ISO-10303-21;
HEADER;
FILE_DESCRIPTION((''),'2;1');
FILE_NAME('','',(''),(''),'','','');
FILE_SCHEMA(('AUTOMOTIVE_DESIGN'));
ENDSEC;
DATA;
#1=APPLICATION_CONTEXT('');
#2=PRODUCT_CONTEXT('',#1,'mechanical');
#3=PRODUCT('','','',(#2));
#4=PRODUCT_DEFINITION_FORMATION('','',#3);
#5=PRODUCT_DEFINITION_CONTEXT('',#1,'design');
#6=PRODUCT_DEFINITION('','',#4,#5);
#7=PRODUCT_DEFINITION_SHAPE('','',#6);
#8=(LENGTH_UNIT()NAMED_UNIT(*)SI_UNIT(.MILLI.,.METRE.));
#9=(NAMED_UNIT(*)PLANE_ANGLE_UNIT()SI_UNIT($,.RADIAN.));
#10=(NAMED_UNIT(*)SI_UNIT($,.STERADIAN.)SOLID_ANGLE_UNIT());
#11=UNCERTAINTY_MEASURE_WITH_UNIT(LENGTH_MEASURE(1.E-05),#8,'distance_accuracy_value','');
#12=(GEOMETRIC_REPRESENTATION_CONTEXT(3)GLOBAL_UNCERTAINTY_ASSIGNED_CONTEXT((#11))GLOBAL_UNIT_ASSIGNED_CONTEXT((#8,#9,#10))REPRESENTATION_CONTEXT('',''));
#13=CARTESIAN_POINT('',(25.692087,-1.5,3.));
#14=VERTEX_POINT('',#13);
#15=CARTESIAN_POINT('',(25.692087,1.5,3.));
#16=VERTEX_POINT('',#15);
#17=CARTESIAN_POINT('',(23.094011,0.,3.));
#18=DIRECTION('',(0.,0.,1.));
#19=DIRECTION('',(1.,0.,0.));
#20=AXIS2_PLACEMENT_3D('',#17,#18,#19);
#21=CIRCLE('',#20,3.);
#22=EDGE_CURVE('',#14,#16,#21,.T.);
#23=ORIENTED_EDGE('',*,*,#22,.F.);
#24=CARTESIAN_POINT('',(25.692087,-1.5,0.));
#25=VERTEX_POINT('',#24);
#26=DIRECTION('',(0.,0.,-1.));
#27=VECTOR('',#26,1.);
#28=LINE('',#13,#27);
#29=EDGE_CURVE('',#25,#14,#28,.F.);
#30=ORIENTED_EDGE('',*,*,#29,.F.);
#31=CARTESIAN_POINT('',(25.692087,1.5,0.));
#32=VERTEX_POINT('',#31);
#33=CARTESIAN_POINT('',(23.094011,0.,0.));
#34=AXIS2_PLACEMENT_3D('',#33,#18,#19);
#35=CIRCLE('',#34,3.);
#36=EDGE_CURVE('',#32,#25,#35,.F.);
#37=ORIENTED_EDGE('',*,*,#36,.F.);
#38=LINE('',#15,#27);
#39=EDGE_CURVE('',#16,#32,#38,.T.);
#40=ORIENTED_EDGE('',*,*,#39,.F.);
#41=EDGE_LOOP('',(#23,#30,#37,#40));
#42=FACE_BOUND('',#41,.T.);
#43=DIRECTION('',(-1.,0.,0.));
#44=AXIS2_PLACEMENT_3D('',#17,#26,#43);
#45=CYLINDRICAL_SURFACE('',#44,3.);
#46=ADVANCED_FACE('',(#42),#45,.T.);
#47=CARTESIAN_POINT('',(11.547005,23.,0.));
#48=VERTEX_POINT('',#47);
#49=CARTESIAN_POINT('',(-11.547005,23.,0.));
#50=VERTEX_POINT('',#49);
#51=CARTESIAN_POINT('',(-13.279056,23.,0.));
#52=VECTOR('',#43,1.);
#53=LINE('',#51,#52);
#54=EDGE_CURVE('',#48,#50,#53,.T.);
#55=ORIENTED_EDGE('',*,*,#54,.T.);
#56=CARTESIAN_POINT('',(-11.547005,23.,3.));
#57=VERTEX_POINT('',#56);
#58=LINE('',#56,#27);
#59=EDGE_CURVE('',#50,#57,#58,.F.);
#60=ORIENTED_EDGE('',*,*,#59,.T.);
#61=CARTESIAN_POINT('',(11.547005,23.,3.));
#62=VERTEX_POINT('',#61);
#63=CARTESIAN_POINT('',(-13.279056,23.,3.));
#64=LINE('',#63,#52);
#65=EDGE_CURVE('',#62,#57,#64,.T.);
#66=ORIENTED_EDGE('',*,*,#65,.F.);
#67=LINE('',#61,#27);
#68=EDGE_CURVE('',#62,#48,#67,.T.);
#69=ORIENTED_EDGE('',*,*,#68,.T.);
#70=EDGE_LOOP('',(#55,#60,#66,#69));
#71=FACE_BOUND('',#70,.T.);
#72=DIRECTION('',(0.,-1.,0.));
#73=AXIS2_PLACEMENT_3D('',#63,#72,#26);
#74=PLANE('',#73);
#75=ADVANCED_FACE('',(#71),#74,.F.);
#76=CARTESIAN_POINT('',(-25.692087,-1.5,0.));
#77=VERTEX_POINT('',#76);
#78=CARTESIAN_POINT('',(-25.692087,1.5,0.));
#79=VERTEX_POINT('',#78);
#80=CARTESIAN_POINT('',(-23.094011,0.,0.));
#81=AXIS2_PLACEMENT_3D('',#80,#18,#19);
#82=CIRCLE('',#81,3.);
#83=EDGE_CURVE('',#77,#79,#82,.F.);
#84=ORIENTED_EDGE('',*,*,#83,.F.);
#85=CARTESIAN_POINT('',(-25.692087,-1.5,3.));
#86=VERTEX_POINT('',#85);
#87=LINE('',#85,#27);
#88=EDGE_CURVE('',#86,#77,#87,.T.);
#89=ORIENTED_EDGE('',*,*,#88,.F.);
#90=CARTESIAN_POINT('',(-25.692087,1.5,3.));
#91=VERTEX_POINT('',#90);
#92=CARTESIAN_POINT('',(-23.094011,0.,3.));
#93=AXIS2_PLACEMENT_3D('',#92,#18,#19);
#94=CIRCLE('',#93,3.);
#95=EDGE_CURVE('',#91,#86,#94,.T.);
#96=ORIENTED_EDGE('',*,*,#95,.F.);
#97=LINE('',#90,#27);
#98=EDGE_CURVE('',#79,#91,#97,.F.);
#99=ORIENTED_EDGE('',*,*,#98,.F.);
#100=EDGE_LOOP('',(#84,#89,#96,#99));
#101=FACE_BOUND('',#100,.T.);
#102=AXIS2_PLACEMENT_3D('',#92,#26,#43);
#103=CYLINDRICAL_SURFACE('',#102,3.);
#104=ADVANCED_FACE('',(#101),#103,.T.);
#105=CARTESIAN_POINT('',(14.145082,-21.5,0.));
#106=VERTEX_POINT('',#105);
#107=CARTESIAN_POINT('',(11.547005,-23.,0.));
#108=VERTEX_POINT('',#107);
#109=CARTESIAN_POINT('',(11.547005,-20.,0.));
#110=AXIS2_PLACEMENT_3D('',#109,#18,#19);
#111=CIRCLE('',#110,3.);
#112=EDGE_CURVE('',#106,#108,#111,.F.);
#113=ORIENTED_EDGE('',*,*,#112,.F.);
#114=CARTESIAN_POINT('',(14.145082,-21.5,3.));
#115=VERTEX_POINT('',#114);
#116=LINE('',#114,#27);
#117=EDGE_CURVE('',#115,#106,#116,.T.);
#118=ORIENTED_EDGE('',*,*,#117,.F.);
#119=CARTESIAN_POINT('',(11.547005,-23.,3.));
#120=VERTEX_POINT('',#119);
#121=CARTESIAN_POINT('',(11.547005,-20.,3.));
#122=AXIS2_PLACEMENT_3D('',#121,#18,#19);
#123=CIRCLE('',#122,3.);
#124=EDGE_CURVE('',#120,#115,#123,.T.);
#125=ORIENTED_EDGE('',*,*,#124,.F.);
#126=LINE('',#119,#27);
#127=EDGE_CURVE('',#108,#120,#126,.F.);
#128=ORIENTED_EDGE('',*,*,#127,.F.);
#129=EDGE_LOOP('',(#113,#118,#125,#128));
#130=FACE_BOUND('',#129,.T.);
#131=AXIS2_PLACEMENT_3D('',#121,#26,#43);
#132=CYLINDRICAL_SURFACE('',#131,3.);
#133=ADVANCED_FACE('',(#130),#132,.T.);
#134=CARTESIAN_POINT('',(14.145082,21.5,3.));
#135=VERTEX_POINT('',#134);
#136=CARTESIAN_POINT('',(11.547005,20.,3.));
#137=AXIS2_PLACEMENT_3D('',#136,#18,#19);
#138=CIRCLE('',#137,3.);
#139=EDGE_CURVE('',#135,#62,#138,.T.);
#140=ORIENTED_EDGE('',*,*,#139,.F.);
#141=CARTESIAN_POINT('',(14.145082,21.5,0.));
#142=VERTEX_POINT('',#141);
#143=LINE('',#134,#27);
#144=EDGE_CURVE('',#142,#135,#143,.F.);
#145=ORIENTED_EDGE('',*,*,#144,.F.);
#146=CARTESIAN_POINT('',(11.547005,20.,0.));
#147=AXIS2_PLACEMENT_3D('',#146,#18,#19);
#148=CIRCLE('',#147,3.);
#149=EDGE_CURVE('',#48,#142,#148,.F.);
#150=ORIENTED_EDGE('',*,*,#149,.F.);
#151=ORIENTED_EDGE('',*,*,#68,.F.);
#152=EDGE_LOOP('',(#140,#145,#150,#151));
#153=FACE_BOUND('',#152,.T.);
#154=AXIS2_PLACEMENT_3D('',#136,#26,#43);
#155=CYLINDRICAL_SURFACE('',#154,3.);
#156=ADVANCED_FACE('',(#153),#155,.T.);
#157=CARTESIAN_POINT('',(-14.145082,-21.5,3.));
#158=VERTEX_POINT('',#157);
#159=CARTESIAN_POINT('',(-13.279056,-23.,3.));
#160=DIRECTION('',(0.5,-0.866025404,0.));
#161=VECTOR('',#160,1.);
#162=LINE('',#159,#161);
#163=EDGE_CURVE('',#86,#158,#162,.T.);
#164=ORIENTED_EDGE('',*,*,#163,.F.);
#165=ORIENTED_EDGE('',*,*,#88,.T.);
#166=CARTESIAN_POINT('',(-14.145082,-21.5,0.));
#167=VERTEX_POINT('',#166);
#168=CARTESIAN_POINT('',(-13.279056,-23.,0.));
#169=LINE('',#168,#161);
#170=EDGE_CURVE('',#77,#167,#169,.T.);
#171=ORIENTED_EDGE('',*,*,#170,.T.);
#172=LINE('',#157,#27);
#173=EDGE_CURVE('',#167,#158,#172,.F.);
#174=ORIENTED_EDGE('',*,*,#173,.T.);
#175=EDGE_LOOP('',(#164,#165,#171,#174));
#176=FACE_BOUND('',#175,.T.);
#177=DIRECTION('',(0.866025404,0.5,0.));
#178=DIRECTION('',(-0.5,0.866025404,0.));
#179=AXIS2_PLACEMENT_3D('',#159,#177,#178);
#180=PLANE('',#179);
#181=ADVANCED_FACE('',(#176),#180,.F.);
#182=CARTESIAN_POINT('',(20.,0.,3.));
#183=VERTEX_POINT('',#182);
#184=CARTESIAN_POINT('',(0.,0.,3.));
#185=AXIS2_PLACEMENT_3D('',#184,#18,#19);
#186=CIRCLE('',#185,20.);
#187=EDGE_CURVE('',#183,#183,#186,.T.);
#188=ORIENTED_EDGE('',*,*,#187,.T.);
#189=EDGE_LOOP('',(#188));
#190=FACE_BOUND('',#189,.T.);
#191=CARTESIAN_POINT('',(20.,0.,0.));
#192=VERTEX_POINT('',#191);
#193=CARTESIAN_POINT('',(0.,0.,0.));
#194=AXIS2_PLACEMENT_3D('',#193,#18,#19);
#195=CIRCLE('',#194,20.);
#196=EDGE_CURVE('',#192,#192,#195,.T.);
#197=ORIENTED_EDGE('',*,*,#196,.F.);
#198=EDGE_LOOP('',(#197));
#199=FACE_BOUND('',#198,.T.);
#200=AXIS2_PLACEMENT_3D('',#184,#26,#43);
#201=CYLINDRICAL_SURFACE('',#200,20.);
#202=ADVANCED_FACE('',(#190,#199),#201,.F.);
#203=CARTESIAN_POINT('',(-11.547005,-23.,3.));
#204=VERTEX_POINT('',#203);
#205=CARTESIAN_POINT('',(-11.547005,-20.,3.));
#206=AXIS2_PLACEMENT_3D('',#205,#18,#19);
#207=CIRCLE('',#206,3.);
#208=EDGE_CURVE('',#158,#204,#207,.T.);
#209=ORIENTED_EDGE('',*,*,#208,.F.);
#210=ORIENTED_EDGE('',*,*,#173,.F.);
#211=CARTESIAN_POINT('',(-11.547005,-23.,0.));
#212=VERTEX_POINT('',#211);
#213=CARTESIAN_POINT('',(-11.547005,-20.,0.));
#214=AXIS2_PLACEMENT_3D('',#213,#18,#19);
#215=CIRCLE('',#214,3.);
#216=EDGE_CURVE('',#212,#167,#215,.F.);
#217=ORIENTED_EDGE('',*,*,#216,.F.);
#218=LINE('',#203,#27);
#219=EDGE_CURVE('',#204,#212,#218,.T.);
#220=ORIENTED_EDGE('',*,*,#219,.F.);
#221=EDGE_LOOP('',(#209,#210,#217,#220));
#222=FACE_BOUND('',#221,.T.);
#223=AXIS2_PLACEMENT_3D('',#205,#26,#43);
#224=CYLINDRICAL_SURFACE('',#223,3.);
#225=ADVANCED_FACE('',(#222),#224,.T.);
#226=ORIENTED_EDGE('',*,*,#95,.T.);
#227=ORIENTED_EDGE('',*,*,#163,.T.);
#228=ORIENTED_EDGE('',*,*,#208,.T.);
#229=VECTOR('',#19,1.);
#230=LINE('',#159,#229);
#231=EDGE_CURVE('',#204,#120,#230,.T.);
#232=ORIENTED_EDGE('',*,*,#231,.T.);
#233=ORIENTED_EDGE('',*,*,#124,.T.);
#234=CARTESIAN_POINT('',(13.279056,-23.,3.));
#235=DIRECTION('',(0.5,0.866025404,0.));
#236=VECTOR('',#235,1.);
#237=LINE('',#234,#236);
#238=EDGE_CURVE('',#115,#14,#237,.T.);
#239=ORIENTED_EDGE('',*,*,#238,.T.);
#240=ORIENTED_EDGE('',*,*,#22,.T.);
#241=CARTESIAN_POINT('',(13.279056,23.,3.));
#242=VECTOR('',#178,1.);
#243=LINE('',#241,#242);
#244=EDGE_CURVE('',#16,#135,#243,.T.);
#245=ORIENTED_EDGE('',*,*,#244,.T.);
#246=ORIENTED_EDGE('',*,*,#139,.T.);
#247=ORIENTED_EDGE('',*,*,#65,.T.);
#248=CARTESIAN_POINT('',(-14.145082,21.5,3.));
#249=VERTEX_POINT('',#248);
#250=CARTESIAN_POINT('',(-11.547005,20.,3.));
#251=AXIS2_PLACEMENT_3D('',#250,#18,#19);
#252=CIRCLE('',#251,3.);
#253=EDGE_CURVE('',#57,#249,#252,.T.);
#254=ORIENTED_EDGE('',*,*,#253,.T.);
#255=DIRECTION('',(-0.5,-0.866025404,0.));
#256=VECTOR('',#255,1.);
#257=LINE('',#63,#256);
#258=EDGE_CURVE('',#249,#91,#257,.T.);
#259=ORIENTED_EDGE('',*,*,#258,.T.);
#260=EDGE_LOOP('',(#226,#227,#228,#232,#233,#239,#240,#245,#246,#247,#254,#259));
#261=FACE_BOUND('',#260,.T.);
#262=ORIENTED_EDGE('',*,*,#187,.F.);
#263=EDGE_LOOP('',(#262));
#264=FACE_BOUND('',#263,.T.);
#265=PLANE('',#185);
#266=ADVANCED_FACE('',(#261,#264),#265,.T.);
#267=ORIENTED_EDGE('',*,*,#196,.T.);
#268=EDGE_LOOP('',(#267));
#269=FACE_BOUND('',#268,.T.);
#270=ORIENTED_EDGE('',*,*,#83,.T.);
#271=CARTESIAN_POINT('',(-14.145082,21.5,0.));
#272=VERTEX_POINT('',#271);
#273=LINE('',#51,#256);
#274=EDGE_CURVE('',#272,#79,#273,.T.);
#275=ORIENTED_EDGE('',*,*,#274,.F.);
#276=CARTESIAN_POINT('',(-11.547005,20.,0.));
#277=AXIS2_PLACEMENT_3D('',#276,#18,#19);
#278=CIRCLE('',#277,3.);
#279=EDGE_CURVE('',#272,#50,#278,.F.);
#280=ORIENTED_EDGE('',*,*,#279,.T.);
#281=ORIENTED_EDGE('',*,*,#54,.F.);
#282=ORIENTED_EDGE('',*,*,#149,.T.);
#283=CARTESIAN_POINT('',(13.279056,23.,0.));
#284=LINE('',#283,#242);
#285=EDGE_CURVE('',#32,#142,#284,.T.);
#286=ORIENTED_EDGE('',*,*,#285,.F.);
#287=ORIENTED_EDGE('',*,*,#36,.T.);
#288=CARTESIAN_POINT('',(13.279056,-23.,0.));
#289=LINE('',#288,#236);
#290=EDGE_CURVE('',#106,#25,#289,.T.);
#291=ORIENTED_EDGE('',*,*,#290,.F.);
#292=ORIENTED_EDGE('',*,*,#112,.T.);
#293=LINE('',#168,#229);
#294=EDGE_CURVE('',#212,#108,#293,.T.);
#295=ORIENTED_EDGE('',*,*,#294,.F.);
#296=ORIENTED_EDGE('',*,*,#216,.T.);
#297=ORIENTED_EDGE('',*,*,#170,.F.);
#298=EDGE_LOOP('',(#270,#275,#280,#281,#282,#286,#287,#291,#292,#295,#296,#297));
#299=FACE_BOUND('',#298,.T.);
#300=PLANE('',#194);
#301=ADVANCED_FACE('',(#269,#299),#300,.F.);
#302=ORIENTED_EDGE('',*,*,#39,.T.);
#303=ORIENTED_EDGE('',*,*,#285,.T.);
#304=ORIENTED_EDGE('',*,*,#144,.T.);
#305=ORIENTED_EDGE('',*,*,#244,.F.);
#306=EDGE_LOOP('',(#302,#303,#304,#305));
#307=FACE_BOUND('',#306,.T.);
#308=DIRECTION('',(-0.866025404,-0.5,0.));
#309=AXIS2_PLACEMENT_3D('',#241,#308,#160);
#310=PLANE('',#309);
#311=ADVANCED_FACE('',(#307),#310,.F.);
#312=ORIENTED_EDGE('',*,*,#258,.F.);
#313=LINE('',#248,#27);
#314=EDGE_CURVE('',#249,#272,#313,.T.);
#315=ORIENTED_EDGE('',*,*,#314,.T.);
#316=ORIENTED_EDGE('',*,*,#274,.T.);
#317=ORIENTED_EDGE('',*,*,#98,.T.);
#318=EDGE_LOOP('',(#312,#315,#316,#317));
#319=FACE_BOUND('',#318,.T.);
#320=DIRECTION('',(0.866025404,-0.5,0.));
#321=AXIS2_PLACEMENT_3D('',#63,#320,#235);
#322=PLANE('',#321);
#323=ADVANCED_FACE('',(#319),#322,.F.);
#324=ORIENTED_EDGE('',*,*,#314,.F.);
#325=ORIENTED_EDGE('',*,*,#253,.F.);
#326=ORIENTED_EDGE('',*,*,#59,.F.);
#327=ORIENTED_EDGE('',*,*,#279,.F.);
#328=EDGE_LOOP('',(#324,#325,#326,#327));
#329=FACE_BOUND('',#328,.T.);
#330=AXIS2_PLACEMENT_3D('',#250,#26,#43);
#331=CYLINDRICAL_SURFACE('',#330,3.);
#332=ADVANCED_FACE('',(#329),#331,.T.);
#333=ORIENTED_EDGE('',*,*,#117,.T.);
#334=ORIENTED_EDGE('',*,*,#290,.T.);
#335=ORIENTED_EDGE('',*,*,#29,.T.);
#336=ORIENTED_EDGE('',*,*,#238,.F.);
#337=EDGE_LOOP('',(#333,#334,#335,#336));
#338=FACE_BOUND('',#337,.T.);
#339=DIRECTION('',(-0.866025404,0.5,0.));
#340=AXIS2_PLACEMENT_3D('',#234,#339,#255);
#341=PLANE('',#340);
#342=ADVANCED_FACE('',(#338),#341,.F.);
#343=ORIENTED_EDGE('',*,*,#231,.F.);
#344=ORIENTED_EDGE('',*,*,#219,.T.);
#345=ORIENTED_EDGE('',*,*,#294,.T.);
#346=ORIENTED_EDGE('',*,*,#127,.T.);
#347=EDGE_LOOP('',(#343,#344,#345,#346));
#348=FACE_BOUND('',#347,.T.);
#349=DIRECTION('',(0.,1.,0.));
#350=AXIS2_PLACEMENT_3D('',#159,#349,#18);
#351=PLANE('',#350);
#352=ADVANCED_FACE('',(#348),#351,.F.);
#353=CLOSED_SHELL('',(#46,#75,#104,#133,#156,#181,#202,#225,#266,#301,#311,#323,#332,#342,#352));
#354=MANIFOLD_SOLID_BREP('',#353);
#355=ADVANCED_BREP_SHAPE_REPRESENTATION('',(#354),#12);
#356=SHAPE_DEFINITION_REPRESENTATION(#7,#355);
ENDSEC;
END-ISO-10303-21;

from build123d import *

# Parameters (mm, degrees)
SKETCH1_R           = 20
BOSS_EXTRUDE1_DEPTH = 3
FILLET4_R           = 3


with BuildPart() as part:
    # Sketch1 → Boss-Extrude1 (new body)
    with BuildSketch(Plane.XY):
        Polygon((-13.279056191, 23), (-26.558112383, 0), (-13.279056191, -23), (13.279056191, -23), (26.558112383, 0), (13.279056191, 23), align=None)
        Circle(SKETCH1_R, mode=Mode.SUBTRACT)
    extrude(amount=BOSS_EXTRUDE1_DEPTH)

    # Fillet4
    fillet4_edges = [part.edges().sort_by_distance(p)[0] for p in [
        (-26.558112383, 0, 1.5),
        (-13.279056191, 23, 1.5),
        (13.279056191, 23, 1.5),
        (26.558112383, 0, 1.5),
        (13.279056191, -23, 1.5),
        (-13.279056191, -23, 1.5),
    ]]
    fillet(fillet4_edges, radius=FILLET4_R)


solid = part.part
